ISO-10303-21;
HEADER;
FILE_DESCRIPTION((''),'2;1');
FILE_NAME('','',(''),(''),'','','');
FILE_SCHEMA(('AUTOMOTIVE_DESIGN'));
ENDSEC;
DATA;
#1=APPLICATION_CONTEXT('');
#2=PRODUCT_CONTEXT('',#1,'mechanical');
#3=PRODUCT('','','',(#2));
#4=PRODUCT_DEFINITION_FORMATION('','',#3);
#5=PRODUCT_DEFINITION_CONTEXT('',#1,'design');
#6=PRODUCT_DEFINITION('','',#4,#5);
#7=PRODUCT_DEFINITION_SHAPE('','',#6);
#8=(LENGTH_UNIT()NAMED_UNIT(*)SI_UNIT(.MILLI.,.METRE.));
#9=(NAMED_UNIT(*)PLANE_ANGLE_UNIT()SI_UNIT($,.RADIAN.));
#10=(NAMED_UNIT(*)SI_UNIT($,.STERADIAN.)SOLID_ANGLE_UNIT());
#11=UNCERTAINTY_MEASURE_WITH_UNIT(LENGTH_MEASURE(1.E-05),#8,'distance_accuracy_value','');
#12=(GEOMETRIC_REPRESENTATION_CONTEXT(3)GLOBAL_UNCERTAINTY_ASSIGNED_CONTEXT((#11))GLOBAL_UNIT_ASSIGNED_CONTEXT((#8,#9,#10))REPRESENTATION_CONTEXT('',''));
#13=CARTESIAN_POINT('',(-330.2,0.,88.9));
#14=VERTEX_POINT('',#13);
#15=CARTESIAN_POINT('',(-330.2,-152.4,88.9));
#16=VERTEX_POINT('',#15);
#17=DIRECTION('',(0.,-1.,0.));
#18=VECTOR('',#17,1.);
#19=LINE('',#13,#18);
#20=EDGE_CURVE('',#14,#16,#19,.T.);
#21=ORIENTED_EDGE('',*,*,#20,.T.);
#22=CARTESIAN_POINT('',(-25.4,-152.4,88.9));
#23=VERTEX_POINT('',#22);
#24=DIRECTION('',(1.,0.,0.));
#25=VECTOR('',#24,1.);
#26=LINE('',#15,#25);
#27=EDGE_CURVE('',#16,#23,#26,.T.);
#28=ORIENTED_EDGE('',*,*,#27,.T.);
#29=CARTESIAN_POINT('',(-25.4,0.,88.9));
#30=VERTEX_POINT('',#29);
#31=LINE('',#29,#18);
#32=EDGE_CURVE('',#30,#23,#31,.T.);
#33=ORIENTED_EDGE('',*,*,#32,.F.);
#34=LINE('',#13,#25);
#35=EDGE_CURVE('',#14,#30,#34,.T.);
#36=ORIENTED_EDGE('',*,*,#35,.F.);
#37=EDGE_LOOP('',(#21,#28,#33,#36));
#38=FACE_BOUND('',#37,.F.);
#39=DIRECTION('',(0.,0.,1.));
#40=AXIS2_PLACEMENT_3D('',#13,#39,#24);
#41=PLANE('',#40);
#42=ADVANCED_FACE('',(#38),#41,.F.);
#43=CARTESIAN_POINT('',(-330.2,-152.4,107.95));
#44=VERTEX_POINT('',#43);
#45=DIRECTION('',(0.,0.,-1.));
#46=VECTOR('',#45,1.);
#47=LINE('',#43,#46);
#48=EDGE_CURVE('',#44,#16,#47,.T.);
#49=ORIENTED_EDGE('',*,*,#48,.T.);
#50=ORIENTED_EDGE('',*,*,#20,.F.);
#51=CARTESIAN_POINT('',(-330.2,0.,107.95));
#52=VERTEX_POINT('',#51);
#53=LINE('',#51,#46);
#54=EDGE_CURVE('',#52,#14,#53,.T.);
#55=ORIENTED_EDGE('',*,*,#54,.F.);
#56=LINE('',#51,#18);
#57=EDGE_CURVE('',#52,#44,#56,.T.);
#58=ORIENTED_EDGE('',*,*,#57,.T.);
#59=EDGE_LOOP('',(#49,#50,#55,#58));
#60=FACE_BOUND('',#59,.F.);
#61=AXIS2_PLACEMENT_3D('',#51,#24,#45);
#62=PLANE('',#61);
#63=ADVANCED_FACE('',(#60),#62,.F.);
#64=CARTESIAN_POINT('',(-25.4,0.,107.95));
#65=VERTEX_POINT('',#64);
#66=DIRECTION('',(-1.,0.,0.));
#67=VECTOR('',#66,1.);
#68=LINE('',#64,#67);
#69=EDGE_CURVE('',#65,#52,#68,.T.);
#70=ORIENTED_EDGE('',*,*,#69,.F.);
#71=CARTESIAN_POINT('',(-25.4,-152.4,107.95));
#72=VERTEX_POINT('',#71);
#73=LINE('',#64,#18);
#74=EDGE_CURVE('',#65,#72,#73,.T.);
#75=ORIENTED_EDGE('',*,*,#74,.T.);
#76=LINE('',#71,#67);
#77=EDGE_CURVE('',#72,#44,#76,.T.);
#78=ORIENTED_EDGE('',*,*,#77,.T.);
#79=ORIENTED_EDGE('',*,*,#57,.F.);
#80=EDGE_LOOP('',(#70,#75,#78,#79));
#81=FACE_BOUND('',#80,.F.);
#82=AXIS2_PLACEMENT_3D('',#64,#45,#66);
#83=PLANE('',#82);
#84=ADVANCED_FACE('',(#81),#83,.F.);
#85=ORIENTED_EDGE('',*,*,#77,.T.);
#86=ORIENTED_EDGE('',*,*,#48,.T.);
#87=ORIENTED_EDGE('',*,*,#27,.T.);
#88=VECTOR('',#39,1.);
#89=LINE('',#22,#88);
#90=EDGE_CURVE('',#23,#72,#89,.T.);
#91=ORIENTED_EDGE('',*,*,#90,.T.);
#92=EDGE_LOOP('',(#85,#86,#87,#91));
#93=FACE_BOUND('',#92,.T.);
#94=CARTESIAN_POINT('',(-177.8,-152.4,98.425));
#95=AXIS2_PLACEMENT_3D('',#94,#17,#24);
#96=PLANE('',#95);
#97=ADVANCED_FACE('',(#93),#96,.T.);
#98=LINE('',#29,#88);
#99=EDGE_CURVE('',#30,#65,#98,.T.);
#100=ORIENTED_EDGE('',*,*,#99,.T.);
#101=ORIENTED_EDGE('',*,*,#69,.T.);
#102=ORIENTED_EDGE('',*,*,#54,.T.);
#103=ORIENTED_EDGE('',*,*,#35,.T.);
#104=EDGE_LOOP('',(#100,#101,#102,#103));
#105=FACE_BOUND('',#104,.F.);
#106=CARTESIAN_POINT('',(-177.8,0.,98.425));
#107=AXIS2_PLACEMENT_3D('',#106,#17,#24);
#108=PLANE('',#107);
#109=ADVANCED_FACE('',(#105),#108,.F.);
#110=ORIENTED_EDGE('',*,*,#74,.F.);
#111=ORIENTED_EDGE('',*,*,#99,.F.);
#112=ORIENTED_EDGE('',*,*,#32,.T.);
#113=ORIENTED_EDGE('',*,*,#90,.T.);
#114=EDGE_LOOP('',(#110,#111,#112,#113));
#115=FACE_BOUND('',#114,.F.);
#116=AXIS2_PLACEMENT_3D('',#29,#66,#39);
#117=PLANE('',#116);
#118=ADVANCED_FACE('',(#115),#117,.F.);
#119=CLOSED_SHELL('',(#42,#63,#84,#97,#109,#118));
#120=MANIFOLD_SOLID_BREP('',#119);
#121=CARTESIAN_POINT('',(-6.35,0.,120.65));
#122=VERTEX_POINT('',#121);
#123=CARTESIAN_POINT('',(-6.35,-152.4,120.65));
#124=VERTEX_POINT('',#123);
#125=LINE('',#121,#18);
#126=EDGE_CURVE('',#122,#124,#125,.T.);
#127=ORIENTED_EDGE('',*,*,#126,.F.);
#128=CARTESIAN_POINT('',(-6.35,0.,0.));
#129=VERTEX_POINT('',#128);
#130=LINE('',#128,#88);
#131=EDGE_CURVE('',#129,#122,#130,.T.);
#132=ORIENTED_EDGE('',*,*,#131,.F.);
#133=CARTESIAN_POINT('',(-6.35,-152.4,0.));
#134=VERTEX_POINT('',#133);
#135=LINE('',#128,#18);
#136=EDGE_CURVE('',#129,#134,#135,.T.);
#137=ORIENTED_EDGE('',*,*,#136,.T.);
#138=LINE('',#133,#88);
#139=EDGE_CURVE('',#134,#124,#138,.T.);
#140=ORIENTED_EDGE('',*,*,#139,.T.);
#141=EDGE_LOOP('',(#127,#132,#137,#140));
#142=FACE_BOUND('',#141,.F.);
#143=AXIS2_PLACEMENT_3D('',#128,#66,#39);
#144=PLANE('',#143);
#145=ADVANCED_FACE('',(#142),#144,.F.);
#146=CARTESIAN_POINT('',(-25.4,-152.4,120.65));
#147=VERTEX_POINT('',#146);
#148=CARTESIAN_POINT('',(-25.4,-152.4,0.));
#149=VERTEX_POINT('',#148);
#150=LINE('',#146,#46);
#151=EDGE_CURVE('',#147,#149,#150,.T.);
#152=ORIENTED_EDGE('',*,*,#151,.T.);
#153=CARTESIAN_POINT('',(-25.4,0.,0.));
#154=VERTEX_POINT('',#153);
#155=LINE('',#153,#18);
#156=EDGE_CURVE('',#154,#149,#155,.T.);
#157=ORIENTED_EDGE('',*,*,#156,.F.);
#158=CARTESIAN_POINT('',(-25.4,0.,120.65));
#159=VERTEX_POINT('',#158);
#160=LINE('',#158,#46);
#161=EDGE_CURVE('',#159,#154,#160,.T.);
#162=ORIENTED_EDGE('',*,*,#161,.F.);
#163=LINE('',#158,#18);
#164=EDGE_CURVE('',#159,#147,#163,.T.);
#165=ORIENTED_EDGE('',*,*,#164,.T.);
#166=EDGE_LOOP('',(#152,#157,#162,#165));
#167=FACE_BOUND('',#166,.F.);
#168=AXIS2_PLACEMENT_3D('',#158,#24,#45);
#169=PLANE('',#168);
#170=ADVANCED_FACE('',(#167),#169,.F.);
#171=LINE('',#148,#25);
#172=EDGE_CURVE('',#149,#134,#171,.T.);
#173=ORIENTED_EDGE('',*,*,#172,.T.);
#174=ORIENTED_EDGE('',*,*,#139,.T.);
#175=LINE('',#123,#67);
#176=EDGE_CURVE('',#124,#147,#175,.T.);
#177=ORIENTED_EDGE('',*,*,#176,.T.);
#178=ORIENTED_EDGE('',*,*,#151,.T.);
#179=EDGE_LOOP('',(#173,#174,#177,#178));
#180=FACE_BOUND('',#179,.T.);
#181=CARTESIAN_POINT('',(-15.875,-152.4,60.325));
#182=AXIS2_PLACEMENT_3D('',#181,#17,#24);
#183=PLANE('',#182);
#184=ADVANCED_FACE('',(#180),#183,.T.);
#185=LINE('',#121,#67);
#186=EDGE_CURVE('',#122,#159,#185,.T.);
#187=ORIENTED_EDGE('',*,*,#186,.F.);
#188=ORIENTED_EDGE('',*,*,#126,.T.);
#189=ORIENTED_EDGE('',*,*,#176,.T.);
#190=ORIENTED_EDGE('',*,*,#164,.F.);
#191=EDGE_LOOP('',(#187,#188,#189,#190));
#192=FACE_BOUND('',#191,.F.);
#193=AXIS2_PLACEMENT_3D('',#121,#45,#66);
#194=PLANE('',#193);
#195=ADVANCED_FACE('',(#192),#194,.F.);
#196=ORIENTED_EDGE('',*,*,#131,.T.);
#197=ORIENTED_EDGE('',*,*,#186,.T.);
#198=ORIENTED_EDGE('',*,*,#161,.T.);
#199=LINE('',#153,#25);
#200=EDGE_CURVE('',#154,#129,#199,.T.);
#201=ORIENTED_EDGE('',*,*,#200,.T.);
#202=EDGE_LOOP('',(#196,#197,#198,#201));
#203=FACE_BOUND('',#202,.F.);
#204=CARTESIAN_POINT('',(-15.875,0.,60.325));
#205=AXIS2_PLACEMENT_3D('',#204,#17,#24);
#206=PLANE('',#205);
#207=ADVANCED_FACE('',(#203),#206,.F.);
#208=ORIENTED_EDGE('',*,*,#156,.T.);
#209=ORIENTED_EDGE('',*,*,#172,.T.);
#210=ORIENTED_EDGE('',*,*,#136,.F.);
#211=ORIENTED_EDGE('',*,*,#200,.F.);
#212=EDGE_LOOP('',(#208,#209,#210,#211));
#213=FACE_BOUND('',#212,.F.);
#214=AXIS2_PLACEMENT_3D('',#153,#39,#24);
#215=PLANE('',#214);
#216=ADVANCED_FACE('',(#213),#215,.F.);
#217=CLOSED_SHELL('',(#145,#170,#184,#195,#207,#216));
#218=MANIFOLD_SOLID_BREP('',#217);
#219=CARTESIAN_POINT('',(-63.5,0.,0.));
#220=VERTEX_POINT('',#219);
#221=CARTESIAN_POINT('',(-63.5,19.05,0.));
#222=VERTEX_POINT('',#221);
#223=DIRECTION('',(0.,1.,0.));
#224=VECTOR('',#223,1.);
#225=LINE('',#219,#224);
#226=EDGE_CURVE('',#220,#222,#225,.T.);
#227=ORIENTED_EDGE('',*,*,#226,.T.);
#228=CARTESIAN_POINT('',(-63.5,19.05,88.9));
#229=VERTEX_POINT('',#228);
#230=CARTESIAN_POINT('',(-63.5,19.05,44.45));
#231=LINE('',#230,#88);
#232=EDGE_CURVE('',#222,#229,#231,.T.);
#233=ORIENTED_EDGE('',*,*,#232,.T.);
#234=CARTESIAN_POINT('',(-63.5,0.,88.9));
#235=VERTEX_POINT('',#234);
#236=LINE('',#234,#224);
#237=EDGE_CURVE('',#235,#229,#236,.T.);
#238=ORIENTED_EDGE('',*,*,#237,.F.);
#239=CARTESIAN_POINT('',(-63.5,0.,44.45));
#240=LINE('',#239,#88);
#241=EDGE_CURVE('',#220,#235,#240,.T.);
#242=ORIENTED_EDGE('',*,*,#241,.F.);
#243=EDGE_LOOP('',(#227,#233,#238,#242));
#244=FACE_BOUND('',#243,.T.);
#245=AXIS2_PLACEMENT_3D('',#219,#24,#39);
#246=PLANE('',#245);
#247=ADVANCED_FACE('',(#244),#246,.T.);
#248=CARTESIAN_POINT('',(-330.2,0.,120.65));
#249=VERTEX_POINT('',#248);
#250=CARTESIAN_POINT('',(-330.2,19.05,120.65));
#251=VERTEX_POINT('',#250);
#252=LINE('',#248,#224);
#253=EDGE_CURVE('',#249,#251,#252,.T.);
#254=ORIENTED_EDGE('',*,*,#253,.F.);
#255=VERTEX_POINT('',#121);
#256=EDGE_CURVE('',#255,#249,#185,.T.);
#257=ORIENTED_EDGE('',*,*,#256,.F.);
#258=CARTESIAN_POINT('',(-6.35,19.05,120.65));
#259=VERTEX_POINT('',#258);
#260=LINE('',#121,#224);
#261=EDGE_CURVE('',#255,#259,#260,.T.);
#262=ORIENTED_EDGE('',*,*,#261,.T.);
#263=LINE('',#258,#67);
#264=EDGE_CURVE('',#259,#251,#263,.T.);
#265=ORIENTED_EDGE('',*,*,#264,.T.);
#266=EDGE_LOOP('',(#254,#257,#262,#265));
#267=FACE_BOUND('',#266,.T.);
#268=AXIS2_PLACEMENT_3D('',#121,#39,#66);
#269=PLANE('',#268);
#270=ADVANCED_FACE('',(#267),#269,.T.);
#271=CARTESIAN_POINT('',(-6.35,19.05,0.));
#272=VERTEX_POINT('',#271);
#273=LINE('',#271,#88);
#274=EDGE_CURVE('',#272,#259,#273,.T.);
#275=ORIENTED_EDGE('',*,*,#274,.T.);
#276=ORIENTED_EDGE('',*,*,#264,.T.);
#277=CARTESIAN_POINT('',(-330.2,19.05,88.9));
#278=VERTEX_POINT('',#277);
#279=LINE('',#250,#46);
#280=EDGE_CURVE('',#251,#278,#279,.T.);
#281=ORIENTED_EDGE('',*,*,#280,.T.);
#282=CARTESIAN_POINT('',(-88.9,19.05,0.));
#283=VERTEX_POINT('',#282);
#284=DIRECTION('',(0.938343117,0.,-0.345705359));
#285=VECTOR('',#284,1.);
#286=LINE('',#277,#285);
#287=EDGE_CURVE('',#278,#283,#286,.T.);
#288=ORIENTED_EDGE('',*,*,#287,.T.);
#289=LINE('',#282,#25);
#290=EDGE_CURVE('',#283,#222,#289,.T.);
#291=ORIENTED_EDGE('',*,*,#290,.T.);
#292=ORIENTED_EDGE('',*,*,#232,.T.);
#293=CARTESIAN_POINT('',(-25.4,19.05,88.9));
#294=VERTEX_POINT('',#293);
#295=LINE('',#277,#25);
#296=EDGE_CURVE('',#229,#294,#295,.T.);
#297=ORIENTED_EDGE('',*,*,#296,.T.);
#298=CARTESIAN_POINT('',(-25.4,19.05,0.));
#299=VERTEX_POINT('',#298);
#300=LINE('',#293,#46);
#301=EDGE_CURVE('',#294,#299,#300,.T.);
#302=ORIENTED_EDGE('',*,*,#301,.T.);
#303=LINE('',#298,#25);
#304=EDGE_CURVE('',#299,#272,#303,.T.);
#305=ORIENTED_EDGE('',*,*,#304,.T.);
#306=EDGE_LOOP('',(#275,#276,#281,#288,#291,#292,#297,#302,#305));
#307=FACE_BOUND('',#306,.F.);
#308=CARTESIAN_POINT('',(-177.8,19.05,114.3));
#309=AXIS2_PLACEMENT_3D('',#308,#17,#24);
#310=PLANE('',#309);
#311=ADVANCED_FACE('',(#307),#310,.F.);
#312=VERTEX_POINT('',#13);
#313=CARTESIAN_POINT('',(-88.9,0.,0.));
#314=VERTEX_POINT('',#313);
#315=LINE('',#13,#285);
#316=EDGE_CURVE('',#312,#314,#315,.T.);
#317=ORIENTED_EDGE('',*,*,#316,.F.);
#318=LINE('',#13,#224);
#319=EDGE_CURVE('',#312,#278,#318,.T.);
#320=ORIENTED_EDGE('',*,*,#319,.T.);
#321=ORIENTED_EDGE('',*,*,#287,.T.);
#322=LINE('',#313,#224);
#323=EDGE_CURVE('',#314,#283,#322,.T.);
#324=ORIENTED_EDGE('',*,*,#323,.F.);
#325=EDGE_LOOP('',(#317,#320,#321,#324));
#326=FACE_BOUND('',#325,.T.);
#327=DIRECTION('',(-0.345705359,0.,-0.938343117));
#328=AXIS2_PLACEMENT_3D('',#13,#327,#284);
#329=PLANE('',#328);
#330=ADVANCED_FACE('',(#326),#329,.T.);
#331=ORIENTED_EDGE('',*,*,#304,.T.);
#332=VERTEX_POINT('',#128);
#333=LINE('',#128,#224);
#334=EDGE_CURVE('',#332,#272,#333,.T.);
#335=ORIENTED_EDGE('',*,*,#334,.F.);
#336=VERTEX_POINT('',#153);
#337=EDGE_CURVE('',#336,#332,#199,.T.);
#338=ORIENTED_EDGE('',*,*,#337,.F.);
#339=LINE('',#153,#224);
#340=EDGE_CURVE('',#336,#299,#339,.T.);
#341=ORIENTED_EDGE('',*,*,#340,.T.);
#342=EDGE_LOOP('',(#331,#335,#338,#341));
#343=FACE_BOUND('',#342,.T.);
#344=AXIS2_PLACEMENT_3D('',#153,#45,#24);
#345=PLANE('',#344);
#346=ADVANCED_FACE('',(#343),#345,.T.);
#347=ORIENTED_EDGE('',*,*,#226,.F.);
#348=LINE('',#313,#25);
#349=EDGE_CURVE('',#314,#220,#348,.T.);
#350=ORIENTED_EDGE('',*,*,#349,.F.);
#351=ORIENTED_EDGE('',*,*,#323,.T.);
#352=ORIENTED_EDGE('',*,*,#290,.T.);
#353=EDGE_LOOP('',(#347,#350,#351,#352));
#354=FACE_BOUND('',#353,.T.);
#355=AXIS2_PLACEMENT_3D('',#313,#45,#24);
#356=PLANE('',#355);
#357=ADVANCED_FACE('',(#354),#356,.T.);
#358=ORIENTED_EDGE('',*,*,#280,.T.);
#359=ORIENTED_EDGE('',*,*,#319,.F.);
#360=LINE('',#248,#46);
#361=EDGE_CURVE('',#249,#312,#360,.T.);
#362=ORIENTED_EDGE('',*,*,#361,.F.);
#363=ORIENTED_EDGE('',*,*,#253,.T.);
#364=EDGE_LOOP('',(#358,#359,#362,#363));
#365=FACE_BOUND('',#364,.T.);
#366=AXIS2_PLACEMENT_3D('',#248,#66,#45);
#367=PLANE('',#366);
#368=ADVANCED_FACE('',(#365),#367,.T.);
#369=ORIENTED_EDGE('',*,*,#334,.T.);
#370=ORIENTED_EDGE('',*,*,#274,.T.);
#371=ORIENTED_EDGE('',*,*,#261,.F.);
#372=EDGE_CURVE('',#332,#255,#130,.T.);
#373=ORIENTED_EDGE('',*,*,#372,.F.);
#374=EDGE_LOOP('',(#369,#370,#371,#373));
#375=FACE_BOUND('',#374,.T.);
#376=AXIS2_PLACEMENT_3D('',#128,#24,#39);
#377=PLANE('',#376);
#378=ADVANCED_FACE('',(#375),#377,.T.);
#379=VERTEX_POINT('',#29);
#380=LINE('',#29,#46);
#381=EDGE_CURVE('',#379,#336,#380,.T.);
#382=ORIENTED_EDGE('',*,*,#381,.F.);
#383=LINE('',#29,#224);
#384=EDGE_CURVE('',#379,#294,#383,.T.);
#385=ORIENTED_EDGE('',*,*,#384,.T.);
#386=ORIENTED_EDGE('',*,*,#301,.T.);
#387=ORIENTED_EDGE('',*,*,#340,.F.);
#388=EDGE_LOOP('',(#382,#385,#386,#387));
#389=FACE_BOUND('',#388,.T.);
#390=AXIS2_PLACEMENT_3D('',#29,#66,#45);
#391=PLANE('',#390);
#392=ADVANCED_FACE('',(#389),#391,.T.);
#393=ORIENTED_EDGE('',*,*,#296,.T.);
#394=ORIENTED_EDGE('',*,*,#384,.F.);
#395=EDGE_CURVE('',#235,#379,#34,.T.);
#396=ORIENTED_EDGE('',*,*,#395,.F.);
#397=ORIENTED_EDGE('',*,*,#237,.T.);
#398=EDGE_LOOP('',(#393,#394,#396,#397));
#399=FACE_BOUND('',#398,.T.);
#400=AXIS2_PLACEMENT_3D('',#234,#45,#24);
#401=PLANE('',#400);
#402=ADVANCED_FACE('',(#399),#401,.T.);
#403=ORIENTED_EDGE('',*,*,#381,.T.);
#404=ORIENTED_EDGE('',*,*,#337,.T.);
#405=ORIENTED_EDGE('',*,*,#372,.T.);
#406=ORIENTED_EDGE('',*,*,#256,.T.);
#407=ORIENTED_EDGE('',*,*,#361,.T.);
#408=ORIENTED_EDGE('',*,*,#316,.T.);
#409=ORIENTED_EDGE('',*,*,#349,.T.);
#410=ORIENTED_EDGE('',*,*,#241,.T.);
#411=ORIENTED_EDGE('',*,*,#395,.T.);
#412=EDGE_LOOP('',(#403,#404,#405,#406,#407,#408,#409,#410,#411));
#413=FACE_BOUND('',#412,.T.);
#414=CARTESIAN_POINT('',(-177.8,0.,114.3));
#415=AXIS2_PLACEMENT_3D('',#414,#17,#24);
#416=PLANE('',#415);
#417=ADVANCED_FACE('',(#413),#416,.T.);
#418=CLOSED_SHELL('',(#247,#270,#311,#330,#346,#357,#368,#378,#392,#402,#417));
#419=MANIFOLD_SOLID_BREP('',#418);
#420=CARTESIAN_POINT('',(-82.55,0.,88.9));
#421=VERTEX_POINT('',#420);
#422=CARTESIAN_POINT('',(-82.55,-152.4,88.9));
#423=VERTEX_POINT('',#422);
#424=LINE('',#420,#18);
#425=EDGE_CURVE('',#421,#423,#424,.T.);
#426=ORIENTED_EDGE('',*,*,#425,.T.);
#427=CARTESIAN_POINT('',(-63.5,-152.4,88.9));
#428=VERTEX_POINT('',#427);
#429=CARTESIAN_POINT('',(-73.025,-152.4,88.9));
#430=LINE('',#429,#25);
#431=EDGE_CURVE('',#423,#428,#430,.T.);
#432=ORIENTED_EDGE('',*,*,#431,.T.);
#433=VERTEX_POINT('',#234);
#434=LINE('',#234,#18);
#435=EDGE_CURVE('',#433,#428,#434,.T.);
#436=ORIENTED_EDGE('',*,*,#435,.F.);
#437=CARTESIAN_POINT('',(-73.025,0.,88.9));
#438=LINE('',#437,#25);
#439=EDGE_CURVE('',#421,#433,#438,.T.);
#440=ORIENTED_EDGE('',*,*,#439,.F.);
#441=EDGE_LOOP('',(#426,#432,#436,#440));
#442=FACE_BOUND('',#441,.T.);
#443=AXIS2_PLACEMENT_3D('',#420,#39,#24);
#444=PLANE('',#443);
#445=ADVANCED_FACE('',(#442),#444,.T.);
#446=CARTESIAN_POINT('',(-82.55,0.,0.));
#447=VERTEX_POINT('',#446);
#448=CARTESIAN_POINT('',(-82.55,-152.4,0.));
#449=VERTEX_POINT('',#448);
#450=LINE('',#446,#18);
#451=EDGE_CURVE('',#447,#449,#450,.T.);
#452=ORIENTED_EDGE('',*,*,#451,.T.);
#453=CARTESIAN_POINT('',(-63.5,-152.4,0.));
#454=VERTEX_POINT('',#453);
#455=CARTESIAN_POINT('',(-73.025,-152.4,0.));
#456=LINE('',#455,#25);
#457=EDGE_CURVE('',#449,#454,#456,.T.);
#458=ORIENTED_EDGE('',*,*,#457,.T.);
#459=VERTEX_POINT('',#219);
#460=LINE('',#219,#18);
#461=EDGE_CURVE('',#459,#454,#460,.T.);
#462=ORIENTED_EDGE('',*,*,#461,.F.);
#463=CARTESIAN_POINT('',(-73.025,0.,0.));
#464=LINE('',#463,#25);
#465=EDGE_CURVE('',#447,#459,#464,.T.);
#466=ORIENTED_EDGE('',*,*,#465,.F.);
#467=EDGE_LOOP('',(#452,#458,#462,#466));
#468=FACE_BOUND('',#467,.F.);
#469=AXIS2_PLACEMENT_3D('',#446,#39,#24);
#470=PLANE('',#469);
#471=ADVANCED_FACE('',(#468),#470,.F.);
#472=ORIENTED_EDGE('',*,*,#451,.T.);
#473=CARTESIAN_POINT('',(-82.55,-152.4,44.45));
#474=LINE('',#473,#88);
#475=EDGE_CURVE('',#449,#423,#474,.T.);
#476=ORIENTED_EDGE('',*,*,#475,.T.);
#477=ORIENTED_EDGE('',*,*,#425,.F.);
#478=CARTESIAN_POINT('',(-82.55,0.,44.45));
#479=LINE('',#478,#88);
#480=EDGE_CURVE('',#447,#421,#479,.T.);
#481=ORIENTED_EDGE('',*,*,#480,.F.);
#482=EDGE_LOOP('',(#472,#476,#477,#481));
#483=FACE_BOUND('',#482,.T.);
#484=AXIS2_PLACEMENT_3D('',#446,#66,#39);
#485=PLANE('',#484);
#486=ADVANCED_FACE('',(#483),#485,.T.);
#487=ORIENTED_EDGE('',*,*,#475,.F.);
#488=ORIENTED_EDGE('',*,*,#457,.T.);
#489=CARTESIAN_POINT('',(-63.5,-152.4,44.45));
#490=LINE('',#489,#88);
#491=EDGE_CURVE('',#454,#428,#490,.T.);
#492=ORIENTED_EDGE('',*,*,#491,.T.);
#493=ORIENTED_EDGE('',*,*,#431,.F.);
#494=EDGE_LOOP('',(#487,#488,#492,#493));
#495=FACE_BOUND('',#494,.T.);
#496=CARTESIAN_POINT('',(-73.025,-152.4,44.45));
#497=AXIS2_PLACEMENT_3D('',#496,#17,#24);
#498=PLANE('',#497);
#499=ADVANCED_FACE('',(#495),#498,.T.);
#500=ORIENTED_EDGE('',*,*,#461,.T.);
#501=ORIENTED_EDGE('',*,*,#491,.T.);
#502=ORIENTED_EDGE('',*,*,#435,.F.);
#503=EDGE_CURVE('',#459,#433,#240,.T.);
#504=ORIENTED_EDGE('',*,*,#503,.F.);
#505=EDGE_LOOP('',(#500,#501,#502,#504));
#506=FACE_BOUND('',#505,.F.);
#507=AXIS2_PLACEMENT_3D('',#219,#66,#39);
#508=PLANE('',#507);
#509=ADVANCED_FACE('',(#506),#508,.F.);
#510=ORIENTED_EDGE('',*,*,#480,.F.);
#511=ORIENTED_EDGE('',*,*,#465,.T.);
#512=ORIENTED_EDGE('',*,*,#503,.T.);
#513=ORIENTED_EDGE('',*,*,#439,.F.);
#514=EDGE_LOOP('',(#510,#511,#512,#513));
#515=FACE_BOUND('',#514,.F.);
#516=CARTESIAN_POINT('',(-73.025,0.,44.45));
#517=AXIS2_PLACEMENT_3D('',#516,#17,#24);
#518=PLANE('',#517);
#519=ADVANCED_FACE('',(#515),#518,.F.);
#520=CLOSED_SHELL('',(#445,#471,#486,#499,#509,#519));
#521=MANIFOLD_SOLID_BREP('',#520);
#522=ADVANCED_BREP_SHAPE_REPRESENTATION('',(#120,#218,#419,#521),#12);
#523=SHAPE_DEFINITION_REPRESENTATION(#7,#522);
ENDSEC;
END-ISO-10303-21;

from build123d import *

# Parameters (mm, degrees)
F1_DEPTH = 152.4
F0_W     = 19.05
F0_H     = 88.9
F2_DEPTH = 152.4
F3_DEPTH = 152.4
F0_W_2   = 304.8
F0_H_2   = 12.7
F4_DEPTH = 19.05


with BuildPart() as f1:
    # F0 (on Front) → F1 (new body)
    with BuildSketch(Plane.XZ):
        Polygon((-63.5, 88.9), (-25.4, 88.9), (-25.4, 107.95), (-330.2, 107.95), (-330.2, 88.9), (-82.55, 88.9), align=None)
    extrude(amount=F1_DEPTH)


with BuildPart() as f2:
    # F0 (on Front) → F2 (new body, through all)
    with BuildSketch(Plane.XZ):
        with Locations((-73.025, 44.45)):
            Rectangle(F0_W, F0_H)
    extrude(amount=F2_DEPTH)


with BuildPart() as f3:
    # F0 (on Front) → F3 (new body, through all)
    with BuildSketch(Plane.XZ):
        Polygon((-25.4, 0), (-6.35, 0), (-6.35, 120.65), (-25.4, 120.65), (-25.4, 107.95), (-25.4, 88.9), align=None)
    extrude(amount=F3_DEPTH)


with BuildPart() as f4:
    # F0 (on Front) → F4 (new body)
    with BuildSketch(Plane.XZ):
        with Locations((-177.8, 114.3)):
            Rectangle(F0_W_2, F0_H_2)
        Polygon((-63.5, 88.9), (-25.4, 88.9), (-25.4, 107.95), (-330.2, 107.95), (-330.2, 88.9), (-82.55, 88.9), align=None)
        Polygon((-82.55, 0), (-82.55, 88.9), (-330.2, 88.9), (-88.9, 0), align=None)
        with Locations((-73.025, 44.45)):
            Rectangle(F0_W, F0_H)
        Polygon((-25.4, 0), (-6.35, 0), (-6.35, 120.65), (-25.4, 120.65), (-25.4, 107.95), (-25.4, 88.9), align=None)
    extrude(amount=-F4_DEPTH)


solid = Compound([f1.part, f2.part, f3.part, f4.part])
